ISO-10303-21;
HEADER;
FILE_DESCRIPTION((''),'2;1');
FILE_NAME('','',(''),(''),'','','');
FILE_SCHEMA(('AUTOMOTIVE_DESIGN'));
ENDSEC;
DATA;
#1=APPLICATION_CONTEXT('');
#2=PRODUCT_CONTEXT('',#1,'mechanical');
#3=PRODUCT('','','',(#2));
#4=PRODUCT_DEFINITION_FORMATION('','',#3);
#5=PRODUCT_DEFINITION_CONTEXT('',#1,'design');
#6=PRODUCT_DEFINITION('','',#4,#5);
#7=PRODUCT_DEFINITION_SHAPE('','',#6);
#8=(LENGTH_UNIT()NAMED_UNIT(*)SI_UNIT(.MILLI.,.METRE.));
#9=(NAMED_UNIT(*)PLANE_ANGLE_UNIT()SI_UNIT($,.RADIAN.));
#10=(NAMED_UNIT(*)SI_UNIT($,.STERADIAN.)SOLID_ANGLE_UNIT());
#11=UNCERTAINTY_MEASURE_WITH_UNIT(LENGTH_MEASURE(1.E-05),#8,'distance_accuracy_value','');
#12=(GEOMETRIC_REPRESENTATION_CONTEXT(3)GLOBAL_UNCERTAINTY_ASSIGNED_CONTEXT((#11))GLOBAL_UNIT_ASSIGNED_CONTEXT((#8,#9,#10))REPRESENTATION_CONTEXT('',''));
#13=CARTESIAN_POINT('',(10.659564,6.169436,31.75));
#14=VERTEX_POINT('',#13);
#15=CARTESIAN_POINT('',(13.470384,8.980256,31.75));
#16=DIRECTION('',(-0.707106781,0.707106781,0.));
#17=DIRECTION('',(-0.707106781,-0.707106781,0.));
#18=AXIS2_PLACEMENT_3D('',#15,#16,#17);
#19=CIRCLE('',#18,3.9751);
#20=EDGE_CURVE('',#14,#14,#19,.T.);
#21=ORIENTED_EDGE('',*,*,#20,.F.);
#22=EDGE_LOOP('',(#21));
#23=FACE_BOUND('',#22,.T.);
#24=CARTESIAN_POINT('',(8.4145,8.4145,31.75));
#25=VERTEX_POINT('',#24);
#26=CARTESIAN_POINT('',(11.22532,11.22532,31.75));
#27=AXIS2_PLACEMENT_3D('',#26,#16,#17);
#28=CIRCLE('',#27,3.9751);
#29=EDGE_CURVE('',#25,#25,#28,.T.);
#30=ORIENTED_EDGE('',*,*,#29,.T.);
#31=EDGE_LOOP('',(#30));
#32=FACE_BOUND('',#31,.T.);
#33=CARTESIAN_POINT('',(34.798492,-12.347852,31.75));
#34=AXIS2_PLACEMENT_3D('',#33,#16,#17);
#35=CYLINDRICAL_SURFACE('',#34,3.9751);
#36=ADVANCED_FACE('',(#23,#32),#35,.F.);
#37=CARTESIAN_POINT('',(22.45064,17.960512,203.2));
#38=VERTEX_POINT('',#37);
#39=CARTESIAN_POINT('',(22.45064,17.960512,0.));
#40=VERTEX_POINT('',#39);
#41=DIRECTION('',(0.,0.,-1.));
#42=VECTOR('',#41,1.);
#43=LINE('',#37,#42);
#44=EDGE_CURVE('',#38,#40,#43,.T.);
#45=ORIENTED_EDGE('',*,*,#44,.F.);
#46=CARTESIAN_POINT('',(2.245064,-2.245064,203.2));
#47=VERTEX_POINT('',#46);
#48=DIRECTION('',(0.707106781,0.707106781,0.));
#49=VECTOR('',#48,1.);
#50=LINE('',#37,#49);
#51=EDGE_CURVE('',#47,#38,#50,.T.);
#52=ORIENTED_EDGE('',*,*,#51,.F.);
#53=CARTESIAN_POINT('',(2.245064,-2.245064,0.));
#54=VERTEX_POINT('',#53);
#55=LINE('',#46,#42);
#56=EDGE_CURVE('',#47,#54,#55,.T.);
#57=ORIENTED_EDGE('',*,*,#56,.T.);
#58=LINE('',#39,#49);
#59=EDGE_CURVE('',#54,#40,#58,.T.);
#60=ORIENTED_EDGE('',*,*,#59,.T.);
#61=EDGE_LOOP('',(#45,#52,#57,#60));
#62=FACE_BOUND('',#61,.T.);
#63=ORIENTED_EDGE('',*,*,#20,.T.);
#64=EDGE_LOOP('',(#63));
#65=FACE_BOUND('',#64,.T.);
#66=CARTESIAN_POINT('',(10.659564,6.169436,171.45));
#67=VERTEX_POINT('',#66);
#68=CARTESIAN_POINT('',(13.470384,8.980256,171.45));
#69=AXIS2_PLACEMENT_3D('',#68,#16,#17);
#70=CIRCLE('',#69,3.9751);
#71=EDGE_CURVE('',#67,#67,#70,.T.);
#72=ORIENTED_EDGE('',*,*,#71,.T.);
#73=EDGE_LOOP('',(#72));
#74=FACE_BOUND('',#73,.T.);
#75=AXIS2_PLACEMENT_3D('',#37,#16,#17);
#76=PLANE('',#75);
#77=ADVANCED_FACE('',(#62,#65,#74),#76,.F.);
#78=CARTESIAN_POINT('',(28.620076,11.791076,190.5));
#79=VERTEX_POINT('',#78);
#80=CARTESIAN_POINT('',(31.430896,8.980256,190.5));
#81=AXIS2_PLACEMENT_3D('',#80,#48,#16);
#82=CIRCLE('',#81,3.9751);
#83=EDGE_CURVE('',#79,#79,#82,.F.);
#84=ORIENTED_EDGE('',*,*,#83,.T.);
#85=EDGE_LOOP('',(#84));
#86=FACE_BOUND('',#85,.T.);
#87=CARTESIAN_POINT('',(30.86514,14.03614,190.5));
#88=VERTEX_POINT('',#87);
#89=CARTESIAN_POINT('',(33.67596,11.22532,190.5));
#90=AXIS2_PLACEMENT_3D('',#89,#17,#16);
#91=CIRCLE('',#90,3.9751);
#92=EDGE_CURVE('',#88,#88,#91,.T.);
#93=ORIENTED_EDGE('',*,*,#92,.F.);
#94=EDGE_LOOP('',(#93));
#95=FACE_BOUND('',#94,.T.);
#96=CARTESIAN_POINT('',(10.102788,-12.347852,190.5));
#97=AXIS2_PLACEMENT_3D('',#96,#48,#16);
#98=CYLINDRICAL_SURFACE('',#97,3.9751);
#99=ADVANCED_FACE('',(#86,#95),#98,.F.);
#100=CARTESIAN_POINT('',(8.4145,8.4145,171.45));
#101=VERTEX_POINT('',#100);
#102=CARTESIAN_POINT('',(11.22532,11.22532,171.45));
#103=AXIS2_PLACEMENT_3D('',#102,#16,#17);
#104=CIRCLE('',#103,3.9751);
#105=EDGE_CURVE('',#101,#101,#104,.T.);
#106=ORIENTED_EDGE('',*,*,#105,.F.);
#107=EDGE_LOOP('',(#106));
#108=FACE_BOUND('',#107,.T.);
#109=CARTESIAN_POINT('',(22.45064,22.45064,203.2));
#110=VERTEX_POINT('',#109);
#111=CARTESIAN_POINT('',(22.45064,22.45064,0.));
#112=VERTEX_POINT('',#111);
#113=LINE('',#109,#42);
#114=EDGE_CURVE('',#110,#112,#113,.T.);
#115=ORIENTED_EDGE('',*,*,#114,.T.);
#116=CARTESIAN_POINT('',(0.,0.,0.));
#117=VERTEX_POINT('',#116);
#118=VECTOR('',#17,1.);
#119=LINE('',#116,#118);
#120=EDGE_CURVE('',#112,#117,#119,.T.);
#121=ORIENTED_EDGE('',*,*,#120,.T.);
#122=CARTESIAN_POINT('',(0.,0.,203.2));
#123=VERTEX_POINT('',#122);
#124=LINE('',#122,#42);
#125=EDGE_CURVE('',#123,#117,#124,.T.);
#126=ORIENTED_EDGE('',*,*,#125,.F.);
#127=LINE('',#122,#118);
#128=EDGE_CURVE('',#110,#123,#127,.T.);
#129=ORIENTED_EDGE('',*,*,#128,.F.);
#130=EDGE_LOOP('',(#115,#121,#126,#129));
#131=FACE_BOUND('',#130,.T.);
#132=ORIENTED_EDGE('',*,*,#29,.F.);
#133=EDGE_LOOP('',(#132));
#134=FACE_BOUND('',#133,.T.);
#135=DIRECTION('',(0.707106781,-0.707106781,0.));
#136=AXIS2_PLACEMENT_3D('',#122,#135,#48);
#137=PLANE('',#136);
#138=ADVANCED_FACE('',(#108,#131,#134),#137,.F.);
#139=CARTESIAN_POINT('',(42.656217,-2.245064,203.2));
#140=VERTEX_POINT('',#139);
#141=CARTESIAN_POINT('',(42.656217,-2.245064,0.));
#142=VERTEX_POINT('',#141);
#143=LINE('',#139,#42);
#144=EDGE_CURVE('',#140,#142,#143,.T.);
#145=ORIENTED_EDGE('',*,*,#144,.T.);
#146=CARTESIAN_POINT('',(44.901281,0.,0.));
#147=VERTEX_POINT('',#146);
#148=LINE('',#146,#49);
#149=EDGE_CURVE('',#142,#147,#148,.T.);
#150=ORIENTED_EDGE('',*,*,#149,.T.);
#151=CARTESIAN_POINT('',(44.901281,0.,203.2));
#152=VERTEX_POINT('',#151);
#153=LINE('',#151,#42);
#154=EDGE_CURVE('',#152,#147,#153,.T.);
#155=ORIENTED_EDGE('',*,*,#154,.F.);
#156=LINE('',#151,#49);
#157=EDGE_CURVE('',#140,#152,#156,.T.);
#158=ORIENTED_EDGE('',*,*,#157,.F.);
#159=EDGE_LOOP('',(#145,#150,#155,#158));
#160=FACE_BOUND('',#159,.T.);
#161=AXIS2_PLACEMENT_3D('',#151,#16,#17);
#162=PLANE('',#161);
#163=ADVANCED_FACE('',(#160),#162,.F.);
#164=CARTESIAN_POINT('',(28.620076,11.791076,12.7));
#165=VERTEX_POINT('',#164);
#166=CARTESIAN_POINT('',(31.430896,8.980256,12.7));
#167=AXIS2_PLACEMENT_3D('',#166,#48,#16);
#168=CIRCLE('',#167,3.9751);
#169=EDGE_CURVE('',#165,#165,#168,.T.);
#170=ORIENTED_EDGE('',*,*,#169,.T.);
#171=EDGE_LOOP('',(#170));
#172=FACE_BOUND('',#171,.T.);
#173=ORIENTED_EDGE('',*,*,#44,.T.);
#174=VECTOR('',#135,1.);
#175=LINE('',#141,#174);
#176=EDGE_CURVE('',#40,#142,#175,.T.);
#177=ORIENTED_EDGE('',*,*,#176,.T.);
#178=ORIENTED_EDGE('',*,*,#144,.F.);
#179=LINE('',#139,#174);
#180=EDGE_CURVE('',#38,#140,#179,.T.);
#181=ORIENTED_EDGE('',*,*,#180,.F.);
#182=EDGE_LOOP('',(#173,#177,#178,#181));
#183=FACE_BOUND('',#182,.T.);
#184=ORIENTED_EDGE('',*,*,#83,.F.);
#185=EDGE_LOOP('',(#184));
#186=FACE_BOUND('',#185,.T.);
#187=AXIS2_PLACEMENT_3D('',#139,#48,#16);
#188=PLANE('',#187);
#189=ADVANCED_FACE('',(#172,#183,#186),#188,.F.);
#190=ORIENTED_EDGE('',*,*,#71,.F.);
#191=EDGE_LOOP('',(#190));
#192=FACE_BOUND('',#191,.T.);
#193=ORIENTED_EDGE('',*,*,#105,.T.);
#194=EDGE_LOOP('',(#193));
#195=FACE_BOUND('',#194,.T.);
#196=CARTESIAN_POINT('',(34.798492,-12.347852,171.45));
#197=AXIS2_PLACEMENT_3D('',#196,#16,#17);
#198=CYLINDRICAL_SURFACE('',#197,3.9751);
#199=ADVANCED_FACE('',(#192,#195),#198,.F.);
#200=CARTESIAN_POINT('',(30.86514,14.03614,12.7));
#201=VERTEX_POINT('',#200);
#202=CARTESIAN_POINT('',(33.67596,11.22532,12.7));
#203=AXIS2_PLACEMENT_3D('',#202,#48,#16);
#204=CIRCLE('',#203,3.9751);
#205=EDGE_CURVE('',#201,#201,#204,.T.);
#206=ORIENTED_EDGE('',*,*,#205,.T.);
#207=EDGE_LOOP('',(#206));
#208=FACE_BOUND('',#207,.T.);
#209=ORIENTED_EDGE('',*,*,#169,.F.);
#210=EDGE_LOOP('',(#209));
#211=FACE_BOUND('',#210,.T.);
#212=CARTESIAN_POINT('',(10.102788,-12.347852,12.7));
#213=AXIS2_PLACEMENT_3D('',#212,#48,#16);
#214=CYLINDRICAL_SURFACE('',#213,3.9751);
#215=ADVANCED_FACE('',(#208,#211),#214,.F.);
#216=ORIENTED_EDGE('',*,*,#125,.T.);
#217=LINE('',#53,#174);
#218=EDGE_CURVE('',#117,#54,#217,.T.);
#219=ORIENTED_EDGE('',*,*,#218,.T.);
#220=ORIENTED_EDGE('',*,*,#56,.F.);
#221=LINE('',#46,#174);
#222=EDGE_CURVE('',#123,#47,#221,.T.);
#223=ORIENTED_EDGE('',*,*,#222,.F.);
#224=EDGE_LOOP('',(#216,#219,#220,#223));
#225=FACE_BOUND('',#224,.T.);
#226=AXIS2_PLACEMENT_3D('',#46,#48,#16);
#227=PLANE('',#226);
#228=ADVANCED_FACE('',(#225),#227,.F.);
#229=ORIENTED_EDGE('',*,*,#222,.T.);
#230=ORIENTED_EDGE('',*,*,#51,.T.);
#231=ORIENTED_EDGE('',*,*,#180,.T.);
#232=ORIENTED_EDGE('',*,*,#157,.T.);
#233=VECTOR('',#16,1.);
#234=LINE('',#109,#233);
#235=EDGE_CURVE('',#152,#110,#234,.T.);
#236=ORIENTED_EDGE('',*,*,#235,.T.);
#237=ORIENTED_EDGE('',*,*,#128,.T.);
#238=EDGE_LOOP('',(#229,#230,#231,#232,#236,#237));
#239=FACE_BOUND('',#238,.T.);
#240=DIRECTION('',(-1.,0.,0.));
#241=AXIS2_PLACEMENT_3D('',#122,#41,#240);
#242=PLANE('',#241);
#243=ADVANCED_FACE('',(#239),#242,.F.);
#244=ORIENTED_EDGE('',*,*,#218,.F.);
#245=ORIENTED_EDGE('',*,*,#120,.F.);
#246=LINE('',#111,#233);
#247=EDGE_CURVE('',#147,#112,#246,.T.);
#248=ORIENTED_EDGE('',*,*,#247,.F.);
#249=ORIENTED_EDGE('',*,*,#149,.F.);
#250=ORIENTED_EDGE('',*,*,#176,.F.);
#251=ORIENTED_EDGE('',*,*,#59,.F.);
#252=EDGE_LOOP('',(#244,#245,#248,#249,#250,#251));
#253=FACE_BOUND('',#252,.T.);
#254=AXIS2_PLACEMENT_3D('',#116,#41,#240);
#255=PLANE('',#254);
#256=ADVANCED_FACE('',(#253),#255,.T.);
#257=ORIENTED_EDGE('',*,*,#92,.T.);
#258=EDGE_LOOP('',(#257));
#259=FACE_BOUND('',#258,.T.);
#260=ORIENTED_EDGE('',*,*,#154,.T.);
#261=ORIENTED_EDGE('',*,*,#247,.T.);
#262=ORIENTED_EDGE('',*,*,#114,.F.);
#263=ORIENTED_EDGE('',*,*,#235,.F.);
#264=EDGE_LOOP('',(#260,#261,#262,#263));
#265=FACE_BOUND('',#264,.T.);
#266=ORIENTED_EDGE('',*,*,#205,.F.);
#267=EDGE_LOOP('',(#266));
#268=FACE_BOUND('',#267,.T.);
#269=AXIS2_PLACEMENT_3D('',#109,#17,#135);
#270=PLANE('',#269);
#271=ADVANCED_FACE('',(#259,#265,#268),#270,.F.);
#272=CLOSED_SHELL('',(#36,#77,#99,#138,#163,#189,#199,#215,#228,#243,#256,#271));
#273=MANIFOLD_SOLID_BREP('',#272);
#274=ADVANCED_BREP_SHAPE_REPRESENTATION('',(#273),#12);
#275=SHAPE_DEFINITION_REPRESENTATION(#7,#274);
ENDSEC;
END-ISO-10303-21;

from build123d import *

# Parameters (mm, degrees)
BOSS_EXTRUDE1_DEPTH     = 203.2
SKETCH4_R               = 3.9751
CUT_EXTRUDE3_DEPTH      = 210.309331493
ESQUISSE1_R             = 3.9751
ENL_V_MAT_EXTRU_1_DEPTH = 206.922677388


with BuildPart() as part:
    # Sketch1 → Boss-Extrude1 (new body)
    with BuildSketch(Plane.XY):
        Polygon((0, 0), (22.450640303, 22.450640303), (44.901280605, 0), (42.656216575, -2.24506403), (22.450640303, 17.960512242), (2.24506403, -2.24506403), align=None)
    extrude(amount=BOSS_EXTRUDE1_DEPTH)

    # Sketch4 → Cut-Extrude3 (cut, through all)
    with BuildSketch(Plane(origin=(0, 0, 0), x_dir=(0, 0, 1), z_dir=(-0.7071067811865476, 0.7071067811865475, 0))):
        with Locations(Location((31.75, 15.875, 0), (0, 0, 270))):
            Circle(SKETCH4_R)
        with Locations(Location((171.45, 15.875, 0), (0, 0, 270))):
            Circle(SKETCH4_R)
    extrude(amount=-CUT_EXTRUDE3_DEPTH, mode=Mode.SUBTRACT)

    # Esquisse1 → Enlèv. mat.-Extru.1 (cut, through all)
    with BuildSketch(Plane(origin=(22.450640303, 22.450640303, 0), x_dir=(-0.7071067811865476, 0.7071067811865475, 0), z_dir=(0.7071067811865475, 0.7071067811865476, 0))):
        with Locations((-15.875, 12.7)):
            Circle(ESQUISSE1_R)
    enl_v_mat_extru_1 = extrude(amount=-ENL_V_MAT_EXTRU_1_DEPTH, mode=Mode.SUBTRACT)

    # Symétrie1: Enlèv. mat.-Extru.1 across plane
    add(enl_v_mat_extru_1.mirror(Plane.XY.offset(101.6)), mode=Mode.SUBTRACT)


solid = part.part
